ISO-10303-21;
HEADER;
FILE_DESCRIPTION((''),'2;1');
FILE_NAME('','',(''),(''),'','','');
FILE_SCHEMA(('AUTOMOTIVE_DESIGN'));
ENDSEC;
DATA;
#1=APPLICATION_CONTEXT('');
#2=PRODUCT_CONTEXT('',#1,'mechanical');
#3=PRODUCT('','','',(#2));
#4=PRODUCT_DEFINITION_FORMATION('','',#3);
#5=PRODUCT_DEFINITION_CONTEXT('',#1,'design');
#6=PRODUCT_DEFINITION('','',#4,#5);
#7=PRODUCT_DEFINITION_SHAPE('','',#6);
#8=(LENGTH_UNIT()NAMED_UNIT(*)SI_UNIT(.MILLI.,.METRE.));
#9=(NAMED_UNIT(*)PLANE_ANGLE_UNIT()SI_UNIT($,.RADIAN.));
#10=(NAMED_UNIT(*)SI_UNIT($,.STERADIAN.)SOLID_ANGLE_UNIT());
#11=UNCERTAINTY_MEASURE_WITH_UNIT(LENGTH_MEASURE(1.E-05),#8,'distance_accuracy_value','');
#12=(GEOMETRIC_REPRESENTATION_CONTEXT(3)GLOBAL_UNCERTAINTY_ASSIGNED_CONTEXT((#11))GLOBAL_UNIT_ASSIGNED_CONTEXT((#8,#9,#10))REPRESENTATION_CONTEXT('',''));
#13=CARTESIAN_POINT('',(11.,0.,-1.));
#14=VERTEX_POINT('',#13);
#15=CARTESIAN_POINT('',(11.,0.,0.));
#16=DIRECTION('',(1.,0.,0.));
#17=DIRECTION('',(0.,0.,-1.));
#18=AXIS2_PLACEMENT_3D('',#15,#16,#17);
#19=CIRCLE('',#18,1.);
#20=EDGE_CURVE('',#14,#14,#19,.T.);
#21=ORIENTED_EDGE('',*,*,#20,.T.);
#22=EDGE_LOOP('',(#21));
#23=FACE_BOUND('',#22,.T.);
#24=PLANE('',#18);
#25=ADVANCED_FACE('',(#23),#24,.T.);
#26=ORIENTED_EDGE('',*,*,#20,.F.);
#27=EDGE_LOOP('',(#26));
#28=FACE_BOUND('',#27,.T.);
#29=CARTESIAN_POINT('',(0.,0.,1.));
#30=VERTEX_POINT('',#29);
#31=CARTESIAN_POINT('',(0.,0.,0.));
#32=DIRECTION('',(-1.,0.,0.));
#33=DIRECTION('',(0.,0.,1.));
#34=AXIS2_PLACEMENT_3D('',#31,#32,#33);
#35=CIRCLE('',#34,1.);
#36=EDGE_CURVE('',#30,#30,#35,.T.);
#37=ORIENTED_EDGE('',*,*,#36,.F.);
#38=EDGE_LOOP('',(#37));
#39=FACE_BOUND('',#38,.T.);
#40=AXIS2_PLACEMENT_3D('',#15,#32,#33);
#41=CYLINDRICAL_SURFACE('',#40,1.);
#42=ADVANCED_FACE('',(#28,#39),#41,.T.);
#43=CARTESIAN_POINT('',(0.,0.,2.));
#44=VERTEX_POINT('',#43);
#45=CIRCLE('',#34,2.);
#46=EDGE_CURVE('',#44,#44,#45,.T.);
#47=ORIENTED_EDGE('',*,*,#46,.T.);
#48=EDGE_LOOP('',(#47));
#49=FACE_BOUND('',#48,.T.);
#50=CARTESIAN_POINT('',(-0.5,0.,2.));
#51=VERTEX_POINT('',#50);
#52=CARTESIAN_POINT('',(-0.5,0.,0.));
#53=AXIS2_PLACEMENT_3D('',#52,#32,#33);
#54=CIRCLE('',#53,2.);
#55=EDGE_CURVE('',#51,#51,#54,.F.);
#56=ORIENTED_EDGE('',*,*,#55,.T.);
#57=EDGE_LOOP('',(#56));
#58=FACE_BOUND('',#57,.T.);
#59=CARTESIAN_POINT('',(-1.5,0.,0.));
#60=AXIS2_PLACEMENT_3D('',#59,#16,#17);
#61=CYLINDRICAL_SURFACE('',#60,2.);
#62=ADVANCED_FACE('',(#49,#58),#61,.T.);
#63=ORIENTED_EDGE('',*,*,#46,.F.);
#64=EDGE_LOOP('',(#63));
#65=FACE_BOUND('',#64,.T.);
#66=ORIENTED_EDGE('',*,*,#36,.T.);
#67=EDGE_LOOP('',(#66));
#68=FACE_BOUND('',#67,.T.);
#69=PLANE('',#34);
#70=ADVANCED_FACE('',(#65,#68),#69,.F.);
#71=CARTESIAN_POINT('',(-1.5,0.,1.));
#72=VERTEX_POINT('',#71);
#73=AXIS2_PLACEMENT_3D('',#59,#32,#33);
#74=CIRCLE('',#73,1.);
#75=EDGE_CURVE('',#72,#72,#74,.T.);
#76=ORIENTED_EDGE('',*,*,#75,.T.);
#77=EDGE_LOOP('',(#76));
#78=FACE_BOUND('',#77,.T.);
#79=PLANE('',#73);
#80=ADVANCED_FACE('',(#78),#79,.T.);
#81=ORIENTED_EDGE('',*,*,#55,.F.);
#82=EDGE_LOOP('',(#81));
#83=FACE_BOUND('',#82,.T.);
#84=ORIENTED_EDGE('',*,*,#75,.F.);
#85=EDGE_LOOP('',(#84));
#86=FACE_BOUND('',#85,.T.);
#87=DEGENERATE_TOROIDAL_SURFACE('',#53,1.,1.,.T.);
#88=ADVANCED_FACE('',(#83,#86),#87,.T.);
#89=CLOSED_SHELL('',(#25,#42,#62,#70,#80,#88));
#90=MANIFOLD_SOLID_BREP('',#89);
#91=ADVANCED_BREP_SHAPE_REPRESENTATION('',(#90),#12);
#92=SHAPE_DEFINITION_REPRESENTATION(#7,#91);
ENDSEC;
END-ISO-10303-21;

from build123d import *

# Parameters (mm, degrees)
SKETCH1_R           = 1
BOSS_EXTRUDE1_DEPTH = 11
SKETCH2_R           = 2
BOSS_EXTRUDE2_DEPTH = 1.5
FILLET1_R           = 1


with BuildPart() as part:
    # Sketch1 → Boss-Extrude1 (new body)
    with BuildSketch(Plane(origin=(0, 0, 0), x_dir=(0, 0, -1), z_dir=(1, 0, 0))):
        Circle(SKETCH1_R)
    extrude(amount=BOSS_EXTRUDE1_DEPTH)

    # Sketch2 → Boss-Extrude2 (add)
    with BuildSketch(Plane.ZY):
        Circle(SKETCH2_R)
    extrude(amount=BOSS_EXTRUDE2_DEPTH)

    # Fillet1
    fillet1_edges = [part.edges().sort_by_distance(p)[0] for p in [
        (-1.5, 0, -2),
    ]]
    fillet(fillet1_edges, radius=FILLET1_R)


solid = part.part
